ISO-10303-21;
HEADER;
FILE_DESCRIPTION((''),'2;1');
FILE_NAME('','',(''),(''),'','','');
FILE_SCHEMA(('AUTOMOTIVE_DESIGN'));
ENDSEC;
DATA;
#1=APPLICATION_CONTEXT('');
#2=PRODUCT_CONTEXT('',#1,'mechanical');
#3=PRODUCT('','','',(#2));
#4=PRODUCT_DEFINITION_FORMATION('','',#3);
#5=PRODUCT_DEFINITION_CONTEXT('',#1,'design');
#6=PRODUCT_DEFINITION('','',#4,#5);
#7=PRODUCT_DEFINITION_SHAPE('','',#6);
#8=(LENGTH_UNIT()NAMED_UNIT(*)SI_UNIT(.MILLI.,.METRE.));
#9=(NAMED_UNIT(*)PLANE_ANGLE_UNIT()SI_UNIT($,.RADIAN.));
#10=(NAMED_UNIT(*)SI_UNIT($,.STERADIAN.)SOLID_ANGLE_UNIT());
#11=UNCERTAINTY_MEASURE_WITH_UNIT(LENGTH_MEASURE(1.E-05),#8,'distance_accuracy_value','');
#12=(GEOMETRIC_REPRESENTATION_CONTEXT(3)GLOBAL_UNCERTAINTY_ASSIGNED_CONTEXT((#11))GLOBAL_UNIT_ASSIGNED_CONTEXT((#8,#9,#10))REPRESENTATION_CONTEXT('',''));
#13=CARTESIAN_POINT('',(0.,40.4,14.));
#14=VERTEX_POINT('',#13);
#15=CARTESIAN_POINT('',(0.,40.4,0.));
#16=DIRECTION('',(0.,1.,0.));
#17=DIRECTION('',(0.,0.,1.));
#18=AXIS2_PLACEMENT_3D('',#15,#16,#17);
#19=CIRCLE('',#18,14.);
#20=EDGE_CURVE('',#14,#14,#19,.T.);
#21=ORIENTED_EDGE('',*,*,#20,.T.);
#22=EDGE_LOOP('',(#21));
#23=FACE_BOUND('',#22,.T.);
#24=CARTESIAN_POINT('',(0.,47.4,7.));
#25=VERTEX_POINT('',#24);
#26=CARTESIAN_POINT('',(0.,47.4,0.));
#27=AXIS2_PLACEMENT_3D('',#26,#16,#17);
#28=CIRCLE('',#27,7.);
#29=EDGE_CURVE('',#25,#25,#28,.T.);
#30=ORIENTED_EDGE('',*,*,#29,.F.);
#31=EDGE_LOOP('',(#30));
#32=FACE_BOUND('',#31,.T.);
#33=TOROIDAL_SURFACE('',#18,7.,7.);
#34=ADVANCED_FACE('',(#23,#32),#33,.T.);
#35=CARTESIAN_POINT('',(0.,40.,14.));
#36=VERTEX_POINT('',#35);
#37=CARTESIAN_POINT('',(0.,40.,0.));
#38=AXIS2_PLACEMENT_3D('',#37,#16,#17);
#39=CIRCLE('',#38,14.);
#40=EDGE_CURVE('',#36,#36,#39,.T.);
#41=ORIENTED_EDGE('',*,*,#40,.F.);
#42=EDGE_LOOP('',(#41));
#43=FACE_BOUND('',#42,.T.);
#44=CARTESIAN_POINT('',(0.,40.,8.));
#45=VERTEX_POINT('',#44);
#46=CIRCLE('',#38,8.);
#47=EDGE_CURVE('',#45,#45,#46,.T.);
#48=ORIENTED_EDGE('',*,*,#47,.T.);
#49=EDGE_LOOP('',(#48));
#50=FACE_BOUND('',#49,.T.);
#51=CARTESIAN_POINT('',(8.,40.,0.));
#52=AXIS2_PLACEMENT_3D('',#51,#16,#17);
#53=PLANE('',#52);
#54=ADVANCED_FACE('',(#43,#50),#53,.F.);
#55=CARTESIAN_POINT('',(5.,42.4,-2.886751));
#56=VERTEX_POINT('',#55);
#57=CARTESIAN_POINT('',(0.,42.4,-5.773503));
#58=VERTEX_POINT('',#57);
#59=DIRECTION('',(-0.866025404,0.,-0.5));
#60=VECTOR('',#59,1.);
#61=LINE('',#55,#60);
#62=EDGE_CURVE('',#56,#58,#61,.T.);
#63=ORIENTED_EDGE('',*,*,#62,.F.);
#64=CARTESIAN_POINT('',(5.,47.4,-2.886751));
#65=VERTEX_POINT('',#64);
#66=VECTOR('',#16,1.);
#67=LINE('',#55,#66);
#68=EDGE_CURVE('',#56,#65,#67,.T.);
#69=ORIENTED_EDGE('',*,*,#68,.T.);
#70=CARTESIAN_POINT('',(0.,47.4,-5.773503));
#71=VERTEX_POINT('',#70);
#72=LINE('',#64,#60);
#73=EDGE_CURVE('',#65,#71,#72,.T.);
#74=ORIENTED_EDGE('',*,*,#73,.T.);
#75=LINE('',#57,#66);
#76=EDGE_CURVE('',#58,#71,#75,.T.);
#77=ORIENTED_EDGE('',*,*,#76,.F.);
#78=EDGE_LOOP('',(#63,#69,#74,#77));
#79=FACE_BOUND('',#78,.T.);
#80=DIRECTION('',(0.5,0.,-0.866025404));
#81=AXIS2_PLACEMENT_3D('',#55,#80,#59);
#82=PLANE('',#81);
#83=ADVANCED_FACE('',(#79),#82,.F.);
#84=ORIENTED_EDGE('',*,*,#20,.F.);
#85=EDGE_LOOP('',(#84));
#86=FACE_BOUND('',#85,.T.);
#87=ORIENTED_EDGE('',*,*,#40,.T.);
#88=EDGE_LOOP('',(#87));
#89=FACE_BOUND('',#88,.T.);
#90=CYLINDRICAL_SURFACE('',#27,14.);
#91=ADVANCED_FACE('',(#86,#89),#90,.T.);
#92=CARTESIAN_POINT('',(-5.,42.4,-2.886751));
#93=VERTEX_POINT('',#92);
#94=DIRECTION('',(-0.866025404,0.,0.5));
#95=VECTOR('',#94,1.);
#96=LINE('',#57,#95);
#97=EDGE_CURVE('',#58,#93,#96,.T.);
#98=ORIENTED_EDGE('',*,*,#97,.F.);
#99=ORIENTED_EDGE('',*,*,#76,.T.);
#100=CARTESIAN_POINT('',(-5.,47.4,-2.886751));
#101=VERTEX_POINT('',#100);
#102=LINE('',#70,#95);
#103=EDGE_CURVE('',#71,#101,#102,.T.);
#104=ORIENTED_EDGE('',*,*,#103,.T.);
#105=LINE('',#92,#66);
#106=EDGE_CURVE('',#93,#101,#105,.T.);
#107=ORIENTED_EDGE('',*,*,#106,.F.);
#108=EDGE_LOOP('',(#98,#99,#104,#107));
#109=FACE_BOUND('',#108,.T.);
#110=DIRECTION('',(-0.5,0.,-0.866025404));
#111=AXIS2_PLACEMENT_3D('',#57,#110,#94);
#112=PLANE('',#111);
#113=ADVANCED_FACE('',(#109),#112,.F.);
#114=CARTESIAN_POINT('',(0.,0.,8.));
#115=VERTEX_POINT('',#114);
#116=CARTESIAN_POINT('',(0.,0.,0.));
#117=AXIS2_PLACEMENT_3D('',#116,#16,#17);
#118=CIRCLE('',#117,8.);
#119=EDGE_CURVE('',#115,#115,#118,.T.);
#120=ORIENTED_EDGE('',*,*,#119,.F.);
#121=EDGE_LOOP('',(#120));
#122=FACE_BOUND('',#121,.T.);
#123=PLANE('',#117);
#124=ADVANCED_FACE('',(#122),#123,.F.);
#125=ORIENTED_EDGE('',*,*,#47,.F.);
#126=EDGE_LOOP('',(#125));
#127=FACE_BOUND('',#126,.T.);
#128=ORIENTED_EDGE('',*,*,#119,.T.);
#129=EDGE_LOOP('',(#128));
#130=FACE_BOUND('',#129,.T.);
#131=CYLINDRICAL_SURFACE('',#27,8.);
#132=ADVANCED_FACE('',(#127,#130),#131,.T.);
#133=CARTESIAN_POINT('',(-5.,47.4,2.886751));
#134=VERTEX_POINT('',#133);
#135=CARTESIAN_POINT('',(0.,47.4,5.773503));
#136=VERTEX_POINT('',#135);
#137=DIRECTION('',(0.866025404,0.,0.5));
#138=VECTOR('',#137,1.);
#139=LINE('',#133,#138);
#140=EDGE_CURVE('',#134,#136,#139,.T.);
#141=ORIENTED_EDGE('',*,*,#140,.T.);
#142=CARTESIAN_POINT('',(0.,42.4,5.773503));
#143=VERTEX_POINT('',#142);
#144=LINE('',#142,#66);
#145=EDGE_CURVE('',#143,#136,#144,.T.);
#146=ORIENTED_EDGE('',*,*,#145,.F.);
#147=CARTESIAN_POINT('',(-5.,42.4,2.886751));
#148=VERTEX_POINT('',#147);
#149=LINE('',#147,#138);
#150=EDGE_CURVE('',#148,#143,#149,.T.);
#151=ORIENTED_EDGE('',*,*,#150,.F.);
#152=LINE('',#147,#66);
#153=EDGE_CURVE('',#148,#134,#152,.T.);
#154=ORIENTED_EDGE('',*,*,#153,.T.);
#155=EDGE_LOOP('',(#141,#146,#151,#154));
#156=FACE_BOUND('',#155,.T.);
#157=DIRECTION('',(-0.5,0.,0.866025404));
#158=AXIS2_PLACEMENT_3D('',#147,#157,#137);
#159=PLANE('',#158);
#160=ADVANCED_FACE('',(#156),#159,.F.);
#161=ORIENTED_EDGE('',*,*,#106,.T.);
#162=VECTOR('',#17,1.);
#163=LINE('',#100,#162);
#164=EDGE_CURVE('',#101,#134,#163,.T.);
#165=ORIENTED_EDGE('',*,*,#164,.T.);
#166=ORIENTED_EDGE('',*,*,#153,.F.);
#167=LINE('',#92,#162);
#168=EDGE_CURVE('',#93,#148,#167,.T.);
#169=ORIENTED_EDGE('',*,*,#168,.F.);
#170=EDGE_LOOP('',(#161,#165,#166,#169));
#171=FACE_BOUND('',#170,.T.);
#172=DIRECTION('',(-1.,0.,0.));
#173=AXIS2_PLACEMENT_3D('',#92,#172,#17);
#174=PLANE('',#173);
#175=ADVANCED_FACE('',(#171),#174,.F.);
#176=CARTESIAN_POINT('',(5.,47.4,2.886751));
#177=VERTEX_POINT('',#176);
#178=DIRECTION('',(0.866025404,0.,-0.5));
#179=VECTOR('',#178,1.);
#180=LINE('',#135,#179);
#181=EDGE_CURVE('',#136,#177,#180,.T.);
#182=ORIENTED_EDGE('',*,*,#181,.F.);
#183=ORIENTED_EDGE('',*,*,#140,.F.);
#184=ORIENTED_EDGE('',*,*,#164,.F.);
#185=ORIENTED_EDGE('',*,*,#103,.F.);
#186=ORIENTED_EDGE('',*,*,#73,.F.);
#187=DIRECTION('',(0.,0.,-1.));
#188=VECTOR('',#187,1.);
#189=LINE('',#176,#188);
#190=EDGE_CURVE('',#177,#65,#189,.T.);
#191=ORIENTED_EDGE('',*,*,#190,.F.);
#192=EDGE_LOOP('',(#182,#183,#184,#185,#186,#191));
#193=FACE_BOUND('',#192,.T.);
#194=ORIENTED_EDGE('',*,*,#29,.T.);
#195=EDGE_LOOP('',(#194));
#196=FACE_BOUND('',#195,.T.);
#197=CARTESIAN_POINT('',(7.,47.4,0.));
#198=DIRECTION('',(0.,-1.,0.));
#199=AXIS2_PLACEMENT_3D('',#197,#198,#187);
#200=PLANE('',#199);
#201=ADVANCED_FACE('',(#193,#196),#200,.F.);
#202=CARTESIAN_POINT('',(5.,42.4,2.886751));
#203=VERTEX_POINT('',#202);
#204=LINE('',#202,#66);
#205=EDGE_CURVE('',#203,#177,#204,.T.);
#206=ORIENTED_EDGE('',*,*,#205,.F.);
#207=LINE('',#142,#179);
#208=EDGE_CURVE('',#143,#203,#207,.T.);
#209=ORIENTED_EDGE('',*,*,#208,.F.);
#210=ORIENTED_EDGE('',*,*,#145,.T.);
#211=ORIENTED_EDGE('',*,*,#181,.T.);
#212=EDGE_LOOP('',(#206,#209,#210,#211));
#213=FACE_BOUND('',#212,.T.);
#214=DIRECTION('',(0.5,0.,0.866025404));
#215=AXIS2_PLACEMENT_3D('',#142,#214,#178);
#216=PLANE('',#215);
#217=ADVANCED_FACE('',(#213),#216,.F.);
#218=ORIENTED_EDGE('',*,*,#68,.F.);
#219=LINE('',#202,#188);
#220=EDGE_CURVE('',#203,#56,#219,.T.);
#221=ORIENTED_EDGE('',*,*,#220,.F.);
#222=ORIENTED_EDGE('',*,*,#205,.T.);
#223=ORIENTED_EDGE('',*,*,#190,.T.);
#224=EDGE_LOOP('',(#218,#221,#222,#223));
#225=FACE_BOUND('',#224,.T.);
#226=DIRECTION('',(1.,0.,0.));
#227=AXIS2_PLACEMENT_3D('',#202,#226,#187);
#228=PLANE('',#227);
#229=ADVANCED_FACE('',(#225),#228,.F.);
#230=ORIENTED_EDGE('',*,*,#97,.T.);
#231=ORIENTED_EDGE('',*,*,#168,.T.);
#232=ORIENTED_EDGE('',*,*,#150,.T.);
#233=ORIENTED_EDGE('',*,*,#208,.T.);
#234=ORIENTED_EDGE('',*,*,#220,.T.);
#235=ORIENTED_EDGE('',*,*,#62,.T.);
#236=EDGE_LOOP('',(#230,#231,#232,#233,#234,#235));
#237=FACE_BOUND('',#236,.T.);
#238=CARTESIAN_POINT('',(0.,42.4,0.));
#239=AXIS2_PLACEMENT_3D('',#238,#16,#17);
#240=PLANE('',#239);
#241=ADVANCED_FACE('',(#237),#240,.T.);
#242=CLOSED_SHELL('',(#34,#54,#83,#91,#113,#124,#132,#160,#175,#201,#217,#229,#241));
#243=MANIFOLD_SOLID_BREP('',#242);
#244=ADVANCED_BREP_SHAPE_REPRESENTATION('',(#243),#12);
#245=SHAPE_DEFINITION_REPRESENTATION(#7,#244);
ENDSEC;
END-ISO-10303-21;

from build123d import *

# Parameters (mm, degrees)
CORTE_EXTRUS_O1_DEPTH = 5


with BuildPart() as part:
    # Esboço1 → Revolução1 (revolve)
    with BuildSketch(Plane.XY):
        with BuildLine():
            Line((0, 0), (8, 0))
            Line((8, 0), (8, 40))
            Line((8, 40), (14, 40))
            Line((14, 40), (14, 40.4))
            ThreePointArc((14, 40.4), (11.949747468, 45.349747468), (7, 47.4))
            Line((7, 47.4), (0, 47.4))
            Line((0, 47.4), (0, 0))
        make_face()
    revolve(axis=Axis((0, 47.4, 0), (0, -1, 0)))

    # Esboço2 → Corte-extrusão1 (cut)
    with BuildSketch(Plane(origin=(0, 47.4, 0), x_dir=(1, 0, 0), z_dir=(0, 1, 0))):
        Polygon((0, 5.773502692), (-5, 2.886751346), (-5, -2.886751346), (0, -5.773502692), (5, -2.886751346), (5, 2.886751346), align=None)
    extrude(amount=-CORTE_EXTRUS_O1_DEPTH, mode=Mode.SUBTRACT)


solid = part.part
